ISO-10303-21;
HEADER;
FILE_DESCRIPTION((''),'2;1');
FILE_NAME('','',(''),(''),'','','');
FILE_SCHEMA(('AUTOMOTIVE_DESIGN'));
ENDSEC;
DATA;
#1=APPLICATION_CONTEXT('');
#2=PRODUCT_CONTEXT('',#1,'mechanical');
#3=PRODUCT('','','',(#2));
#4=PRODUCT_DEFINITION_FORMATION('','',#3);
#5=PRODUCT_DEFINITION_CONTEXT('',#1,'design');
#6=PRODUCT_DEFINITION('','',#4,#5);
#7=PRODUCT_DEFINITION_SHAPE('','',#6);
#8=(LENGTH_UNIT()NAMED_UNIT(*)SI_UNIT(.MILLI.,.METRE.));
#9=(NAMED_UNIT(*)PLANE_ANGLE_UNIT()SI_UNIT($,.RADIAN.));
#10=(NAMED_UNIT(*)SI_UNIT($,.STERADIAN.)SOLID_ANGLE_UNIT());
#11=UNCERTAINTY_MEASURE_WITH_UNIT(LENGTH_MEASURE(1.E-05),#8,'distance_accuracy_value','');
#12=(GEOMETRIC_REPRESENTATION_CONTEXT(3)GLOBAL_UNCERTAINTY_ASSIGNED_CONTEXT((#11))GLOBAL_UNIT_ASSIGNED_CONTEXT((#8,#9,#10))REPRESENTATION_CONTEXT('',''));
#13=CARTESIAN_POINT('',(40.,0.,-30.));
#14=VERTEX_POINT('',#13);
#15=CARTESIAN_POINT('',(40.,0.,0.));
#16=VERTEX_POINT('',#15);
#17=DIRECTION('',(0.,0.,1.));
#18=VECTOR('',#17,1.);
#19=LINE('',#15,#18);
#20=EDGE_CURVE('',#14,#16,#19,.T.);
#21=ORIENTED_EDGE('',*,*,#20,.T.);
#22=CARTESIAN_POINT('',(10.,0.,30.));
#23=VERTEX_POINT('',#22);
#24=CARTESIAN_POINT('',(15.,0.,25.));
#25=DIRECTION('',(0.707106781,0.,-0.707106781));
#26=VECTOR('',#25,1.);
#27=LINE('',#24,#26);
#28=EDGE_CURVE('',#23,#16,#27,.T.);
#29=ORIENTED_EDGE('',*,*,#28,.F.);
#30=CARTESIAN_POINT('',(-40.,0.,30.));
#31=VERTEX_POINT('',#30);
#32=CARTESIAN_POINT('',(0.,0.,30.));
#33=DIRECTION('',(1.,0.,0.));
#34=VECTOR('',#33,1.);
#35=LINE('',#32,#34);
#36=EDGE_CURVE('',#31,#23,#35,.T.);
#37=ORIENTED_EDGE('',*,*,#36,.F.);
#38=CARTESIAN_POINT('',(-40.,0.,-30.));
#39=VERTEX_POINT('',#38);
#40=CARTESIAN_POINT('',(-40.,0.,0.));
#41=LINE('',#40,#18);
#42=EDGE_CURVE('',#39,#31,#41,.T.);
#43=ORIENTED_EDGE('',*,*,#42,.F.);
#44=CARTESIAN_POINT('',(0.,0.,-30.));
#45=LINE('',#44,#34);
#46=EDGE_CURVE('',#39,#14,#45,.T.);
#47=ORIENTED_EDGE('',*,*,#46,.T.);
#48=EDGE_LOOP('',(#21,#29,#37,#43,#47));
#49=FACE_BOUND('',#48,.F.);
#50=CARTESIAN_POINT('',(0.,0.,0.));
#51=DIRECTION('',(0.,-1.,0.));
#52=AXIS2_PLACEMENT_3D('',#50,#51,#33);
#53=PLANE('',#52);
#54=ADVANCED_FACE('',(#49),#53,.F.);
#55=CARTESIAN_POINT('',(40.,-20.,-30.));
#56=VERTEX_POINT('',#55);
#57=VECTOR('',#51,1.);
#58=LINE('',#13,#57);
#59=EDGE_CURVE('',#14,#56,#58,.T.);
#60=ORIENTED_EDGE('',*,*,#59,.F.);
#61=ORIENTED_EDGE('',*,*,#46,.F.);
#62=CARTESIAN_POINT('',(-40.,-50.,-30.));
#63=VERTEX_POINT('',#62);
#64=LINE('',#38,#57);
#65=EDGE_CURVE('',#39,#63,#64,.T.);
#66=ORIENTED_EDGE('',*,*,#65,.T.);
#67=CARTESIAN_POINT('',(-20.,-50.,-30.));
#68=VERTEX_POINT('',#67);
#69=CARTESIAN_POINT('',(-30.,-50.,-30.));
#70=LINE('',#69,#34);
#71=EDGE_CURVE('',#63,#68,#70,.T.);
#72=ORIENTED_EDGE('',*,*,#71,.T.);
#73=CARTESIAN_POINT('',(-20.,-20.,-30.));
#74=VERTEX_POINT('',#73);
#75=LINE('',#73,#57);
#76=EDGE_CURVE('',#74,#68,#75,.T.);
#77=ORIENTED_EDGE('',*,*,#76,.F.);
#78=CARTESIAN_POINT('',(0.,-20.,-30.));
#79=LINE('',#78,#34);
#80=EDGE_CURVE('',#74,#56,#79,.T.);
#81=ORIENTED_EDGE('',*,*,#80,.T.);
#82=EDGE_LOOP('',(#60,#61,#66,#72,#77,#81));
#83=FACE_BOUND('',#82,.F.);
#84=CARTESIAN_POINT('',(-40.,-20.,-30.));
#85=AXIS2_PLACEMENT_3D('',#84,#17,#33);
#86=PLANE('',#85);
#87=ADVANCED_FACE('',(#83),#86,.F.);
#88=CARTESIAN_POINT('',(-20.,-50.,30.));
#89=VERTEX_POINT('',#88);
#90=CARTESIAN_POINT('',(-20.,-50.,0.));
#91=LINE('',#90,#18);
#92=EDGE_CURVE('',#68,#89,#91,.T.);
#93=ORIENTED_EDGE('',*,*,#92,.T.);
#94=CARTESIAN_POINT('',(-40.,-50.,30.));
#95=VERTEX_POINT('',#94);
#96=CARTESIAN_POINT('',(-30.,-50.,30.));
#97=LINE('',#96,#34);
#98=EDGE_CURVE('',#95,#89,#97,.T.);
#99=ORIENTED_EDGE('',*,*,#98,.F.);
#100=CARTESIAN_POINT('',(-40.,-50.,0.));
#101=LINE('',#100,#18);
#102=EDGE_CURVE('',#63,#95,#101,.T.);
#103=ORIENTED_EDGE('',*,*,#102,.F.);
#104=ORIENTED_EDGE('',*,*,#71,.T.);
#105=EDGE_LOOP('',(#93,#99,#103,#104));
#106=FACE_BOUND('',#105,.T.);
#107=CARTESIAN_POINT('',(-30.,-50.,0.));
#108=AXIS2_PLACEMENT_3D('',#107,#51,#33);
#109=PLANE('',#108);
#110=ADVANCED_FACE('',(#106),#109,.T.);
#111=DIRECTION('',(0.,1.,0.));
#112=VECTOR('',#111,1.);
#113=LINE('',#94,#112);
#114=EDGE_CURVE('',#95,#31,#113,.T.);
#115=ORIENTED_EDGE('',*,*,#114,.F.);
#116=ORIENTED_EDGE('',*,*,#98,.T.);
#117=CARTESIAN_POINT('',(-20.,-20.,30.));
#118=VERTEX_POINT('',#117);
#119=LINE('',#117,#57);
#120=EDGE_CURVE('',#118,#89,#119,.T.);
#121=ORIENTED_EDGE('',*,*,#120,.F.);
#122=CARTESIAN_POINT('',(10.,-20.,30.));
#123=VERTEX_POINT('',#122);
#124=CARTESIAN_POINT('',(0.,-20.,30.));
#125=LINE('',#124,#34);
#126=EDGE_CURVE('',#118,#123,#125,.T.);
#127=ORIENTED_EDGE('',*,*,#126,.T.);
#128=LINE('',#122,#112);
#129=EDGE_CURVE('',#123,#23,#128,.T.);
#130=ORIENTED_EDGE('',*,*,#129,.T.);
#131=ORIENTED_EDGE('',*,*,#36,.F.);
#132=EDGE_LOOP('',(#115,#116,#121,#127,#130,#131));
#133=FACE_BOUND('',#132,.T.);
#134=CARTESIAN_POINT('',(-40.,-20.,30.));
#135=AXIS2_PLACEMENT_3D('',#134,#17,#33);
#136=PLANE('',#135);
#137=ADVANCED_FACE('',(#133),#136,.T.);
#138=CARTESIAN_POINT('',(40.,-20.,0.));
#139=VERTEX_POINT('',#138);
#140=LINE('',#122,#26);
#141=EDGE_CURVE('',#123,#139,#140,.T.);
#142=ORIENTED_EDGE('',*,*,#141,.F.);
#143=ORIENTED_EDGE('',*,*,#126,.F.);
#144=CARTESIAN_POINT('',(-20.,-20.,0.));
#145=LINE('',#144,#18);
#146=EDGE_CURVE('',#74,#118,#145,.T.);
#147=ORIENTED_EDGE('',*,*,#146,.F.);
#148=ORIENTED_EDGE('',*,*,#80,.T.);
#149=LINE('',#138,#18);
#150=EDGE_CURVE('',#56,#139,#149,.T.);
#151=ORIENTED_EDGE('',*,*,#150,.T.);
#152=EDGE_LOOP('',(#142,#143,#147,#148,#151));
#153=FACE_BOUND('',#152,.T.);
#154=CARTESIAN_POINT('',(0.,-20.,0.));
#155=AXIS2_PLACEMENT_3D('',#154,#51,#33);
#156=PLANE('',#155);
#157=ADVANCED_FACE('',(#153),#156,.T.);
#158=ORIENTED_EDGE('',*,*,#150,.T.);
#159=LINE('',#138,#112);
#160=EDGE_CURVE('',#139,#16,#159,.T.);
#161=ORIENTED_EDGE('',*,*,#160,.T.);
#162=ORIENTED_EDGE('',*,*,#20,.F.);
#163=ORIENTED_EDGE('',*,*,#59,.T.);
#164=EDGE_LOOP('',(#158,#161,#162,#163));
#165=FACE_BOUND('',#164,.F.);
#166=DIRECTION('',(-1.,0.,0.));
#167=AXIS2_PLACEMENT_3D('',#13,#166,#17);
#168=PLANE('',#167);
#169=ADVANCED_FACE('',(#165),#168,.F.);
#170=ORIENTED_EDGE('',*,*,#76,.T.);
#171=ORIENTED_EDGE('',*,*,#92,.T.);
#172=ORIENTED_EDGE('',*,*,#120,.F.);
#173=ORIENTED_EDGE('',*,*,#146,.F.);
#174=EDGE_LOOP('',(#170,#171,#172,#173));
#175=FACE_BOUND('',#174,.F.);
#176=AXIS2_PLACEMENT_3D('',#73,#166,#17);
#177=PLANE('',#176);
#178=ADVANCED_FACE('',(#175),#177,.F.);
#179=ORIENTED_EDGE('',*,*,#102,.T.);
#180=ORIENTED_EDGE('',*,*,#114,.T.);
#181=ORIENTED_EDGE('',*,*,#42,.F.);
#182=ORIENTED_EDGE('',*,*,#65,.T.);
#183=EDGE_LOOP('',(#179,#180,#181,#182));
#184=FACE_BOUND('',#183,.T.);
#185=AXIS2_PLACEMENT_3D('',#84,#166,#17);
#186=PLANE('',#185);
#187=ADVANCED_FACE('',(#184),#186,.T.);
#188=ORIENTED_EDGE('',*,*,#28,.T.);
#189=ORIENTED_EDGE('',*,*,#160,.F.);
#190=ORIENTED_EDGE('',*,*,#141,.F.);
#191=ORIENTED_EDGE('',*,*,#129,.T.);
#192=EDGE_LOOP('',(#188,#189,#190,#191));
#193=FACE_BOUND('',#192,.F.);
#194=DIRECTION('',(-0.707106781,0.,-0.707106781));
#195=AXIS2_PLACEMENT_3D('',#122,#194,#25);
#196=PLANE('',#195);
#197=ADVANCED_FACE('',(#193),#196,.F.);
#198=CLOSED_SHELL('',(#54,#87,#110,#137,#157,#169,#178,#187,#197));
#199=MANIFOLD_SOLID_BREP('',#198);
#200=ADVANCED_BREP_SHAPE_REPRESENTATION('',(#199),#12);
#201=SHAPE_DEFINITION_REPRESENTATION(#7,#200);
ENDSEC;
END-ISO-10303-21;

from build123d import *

# Parameters (mm, degrees)
F0_W     = 80
F0_H     = 60
F1_DEPTH = 20
F2_W     = 20
F2_H     = 60
F3_DEPTH = 30
F5_DEPTH = 20.001


with BuildPart() as f1:
    # F0 (on Front) → F1 (new body)
    with BuildSketch(Plane.XZ):
        Rectangle(F0_W, F0_H)
    extrude(amount=F1_DEPTH)

    # F2 (on face) → F3 (join)
    with BuildSketch(Plane.XZ.offset(20)):
        with Locations((-30, 0)):
            Rectangle(F2_W, F2_H)
    extrude(amount=F3_DEPTH)

    # F4 (on face) → F5 (cut, through all)
    with BuildSketch(Plane.XZ.offset(20)):
        Polygon((40, 30), (10, 30), (40, 0), align=None)
    extrude(amount=-F5_DEPTH, mode=Mode.SUBTRACT)


solid = f1.part
